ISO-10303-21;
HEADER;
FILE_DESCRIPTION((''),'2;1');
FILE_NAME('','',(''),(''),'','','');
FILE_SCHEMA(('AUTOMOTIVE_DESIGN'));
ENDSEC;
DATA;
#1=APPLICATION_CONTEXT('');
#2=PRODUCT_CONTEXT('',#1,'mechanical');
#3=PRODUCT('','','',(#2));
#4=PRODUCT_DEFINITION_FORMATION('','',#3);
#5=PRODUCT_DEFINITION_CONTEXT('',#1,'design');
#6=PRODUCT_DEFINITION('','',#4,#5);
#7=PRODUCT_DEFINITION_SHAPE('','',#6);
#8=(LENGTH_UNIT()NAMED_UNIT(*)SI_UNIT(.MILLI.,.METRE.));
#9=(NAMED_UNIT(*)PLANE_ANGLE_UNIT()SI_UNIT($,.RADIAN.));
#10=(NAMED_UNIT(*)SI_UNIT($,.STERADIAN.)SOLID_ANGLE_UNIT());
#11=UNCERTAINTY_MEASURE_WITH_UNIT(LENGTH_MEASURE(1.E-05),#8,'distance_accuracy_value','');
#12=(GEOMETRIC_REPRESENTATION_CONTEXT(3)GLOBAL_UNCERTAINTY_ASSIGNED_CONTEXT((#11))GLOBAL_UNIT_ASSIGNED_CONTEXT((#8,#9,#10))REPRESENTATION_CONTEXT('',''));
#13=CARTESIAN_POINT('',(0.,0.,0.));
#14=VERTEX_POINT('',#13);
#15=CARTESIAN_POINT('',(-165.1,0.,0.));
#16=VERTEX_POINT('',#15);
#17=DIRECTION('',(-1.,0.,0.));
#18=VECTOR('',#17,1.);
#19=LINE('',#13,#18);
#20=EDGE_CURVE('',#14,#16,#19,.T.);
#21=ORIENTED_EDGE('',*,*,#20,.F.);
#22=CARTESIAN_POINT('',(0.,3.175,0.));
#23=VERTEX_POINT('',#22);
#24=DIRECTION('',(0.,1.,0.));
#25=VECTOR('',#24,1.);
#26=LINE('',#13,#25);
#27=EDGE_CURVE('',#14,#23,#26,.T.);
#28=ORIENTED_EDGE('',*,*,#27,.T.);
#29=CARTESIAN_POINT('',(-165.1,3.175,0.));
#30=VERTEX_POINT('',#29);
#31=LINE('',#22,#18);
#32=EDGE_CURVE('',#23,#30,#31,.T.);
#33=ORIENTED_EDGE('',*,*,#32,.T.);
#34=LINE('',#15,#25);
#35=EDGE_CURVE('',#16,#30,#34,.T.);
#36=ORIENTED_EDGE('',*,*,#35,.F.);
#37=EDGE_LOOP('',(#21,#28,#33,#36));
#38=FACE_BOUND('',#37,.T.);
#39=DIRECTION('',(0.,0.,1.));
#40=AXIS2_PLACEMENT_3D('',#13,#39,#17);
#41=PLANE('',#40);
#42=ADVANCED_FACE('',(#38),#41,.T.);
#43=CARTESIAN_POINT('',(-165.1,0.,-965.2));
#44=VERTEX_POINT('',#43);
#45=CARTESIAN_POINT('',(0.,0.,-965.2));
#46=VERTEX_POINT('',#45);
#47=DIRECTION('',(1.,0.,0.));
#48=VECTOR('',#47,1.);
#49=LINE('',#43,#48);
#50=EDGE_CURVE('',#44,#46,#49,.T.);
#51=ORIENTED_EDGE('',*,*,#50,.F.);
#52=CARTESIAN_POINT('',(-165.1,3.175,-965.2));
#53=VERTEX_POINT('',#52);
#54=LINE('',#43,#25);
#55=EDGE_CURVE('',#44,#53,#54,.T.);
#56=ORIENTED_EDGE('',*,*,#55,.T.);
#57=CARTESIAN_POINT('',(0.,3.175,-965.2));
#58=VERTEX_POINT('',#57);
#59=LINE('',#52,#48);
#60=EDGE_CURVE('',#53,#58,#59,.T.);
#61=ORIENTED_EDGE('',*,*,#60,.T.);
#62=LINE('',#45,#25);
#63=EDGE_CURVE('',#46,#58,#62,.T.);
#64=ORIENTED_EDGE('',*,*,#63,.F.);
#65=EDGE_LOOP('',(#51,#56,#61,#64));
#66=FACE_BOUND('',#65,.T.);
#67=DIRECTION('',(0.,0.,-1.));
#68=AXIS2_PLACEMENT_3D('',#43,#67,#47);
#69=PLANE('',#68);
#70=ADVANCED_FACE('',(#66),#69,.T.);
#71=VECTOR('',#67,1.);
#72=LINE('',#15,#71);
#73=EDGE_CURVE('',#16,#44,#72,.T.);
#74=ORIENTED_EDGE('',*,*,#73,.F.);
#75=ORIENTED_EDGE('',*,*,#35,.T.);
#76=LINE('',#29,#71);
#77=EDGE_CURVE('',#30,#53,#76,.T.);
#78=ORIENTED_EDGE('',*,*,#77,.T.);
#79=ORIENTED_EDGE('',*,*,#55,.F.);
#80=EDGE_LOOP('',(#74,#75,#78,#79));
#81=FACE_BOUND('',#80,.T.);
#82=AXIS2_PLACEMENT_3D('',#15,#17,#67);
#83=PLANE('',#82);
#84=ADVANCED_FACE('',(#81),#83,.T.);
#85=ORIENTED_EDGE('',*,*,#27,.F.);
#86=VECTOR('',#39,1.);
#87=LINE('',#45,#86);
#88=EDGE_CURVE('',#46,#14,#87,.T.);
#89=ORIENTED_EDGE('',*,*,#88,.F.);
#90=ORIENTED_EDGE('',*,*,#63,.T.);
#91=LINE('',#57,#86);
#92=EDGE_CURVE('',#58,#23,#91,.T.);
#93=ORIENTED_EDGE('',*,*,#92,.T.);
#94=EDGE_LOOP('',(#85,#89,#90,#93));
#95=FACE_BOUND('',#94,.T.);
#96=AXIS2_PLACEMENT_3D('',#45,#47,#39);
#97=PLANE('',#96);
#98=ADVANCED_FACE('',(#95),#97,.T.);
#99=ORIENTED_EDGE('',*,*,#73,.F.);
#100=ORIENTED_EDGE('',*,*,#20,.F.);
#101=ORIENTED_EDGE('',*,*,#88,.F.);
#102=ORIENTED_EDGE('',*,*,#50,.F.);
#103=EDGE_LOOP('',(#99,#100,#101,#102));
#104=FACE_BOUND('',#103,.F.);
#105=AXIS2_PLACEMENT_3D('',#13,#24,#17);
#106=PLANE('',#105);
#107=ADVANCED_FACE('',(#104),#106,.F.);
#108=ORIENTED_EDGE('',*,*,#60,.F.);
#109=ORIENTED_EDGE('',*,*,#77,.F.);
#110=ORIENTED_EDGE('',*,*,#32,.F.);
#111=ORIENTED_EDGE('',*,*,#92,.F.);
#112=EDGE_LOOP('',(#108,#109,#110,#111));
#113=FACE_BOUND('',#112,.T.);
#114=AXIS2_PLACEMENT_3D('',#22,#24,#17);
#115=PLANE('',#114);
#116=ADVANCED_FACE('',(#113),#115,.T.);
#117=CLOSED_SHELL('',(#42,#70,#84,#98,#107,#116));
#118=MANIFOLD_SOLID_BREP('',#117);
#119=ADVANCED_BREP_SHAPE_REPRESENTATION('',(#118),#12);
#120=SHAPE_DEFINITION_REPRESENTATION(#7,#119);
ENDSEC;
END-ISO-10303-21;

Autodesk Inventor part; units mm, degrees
ref_plane "YZ Plane" through (0, 0, 0) normal (1, 0, 0) x (0, 1, 0)
ref_plane "XZ Plane" through (0, 0, 0) normal (0, 1, 0) x (-1, 0, 0)
ref_plane "XY Plane" through (0, 0, 0) normal (0, 0, 1) x (1, 0, 0)
sketch "Sketch1" plane through (0, 0, 0) normal (0, 1, 0) x (-1, 0, 0)
  line L0 (0, 0) -> (165.1, 0)
  line L1 (165.1, 0) -> (165.1, -965.2)
  line L2 (165.1, -965.2) -> (0, -965.2)
  line L3 (0, -965.2) -> (0, 0)
  dimension "d0" = 165.1
  dimension "d1" = 965.2
extrude "Extrusion1" add sketch "Sketch1" along normal blind 3.175
properties part number "Starter_Shingle_With_Dimensions_6.5_x_38_Inches"
